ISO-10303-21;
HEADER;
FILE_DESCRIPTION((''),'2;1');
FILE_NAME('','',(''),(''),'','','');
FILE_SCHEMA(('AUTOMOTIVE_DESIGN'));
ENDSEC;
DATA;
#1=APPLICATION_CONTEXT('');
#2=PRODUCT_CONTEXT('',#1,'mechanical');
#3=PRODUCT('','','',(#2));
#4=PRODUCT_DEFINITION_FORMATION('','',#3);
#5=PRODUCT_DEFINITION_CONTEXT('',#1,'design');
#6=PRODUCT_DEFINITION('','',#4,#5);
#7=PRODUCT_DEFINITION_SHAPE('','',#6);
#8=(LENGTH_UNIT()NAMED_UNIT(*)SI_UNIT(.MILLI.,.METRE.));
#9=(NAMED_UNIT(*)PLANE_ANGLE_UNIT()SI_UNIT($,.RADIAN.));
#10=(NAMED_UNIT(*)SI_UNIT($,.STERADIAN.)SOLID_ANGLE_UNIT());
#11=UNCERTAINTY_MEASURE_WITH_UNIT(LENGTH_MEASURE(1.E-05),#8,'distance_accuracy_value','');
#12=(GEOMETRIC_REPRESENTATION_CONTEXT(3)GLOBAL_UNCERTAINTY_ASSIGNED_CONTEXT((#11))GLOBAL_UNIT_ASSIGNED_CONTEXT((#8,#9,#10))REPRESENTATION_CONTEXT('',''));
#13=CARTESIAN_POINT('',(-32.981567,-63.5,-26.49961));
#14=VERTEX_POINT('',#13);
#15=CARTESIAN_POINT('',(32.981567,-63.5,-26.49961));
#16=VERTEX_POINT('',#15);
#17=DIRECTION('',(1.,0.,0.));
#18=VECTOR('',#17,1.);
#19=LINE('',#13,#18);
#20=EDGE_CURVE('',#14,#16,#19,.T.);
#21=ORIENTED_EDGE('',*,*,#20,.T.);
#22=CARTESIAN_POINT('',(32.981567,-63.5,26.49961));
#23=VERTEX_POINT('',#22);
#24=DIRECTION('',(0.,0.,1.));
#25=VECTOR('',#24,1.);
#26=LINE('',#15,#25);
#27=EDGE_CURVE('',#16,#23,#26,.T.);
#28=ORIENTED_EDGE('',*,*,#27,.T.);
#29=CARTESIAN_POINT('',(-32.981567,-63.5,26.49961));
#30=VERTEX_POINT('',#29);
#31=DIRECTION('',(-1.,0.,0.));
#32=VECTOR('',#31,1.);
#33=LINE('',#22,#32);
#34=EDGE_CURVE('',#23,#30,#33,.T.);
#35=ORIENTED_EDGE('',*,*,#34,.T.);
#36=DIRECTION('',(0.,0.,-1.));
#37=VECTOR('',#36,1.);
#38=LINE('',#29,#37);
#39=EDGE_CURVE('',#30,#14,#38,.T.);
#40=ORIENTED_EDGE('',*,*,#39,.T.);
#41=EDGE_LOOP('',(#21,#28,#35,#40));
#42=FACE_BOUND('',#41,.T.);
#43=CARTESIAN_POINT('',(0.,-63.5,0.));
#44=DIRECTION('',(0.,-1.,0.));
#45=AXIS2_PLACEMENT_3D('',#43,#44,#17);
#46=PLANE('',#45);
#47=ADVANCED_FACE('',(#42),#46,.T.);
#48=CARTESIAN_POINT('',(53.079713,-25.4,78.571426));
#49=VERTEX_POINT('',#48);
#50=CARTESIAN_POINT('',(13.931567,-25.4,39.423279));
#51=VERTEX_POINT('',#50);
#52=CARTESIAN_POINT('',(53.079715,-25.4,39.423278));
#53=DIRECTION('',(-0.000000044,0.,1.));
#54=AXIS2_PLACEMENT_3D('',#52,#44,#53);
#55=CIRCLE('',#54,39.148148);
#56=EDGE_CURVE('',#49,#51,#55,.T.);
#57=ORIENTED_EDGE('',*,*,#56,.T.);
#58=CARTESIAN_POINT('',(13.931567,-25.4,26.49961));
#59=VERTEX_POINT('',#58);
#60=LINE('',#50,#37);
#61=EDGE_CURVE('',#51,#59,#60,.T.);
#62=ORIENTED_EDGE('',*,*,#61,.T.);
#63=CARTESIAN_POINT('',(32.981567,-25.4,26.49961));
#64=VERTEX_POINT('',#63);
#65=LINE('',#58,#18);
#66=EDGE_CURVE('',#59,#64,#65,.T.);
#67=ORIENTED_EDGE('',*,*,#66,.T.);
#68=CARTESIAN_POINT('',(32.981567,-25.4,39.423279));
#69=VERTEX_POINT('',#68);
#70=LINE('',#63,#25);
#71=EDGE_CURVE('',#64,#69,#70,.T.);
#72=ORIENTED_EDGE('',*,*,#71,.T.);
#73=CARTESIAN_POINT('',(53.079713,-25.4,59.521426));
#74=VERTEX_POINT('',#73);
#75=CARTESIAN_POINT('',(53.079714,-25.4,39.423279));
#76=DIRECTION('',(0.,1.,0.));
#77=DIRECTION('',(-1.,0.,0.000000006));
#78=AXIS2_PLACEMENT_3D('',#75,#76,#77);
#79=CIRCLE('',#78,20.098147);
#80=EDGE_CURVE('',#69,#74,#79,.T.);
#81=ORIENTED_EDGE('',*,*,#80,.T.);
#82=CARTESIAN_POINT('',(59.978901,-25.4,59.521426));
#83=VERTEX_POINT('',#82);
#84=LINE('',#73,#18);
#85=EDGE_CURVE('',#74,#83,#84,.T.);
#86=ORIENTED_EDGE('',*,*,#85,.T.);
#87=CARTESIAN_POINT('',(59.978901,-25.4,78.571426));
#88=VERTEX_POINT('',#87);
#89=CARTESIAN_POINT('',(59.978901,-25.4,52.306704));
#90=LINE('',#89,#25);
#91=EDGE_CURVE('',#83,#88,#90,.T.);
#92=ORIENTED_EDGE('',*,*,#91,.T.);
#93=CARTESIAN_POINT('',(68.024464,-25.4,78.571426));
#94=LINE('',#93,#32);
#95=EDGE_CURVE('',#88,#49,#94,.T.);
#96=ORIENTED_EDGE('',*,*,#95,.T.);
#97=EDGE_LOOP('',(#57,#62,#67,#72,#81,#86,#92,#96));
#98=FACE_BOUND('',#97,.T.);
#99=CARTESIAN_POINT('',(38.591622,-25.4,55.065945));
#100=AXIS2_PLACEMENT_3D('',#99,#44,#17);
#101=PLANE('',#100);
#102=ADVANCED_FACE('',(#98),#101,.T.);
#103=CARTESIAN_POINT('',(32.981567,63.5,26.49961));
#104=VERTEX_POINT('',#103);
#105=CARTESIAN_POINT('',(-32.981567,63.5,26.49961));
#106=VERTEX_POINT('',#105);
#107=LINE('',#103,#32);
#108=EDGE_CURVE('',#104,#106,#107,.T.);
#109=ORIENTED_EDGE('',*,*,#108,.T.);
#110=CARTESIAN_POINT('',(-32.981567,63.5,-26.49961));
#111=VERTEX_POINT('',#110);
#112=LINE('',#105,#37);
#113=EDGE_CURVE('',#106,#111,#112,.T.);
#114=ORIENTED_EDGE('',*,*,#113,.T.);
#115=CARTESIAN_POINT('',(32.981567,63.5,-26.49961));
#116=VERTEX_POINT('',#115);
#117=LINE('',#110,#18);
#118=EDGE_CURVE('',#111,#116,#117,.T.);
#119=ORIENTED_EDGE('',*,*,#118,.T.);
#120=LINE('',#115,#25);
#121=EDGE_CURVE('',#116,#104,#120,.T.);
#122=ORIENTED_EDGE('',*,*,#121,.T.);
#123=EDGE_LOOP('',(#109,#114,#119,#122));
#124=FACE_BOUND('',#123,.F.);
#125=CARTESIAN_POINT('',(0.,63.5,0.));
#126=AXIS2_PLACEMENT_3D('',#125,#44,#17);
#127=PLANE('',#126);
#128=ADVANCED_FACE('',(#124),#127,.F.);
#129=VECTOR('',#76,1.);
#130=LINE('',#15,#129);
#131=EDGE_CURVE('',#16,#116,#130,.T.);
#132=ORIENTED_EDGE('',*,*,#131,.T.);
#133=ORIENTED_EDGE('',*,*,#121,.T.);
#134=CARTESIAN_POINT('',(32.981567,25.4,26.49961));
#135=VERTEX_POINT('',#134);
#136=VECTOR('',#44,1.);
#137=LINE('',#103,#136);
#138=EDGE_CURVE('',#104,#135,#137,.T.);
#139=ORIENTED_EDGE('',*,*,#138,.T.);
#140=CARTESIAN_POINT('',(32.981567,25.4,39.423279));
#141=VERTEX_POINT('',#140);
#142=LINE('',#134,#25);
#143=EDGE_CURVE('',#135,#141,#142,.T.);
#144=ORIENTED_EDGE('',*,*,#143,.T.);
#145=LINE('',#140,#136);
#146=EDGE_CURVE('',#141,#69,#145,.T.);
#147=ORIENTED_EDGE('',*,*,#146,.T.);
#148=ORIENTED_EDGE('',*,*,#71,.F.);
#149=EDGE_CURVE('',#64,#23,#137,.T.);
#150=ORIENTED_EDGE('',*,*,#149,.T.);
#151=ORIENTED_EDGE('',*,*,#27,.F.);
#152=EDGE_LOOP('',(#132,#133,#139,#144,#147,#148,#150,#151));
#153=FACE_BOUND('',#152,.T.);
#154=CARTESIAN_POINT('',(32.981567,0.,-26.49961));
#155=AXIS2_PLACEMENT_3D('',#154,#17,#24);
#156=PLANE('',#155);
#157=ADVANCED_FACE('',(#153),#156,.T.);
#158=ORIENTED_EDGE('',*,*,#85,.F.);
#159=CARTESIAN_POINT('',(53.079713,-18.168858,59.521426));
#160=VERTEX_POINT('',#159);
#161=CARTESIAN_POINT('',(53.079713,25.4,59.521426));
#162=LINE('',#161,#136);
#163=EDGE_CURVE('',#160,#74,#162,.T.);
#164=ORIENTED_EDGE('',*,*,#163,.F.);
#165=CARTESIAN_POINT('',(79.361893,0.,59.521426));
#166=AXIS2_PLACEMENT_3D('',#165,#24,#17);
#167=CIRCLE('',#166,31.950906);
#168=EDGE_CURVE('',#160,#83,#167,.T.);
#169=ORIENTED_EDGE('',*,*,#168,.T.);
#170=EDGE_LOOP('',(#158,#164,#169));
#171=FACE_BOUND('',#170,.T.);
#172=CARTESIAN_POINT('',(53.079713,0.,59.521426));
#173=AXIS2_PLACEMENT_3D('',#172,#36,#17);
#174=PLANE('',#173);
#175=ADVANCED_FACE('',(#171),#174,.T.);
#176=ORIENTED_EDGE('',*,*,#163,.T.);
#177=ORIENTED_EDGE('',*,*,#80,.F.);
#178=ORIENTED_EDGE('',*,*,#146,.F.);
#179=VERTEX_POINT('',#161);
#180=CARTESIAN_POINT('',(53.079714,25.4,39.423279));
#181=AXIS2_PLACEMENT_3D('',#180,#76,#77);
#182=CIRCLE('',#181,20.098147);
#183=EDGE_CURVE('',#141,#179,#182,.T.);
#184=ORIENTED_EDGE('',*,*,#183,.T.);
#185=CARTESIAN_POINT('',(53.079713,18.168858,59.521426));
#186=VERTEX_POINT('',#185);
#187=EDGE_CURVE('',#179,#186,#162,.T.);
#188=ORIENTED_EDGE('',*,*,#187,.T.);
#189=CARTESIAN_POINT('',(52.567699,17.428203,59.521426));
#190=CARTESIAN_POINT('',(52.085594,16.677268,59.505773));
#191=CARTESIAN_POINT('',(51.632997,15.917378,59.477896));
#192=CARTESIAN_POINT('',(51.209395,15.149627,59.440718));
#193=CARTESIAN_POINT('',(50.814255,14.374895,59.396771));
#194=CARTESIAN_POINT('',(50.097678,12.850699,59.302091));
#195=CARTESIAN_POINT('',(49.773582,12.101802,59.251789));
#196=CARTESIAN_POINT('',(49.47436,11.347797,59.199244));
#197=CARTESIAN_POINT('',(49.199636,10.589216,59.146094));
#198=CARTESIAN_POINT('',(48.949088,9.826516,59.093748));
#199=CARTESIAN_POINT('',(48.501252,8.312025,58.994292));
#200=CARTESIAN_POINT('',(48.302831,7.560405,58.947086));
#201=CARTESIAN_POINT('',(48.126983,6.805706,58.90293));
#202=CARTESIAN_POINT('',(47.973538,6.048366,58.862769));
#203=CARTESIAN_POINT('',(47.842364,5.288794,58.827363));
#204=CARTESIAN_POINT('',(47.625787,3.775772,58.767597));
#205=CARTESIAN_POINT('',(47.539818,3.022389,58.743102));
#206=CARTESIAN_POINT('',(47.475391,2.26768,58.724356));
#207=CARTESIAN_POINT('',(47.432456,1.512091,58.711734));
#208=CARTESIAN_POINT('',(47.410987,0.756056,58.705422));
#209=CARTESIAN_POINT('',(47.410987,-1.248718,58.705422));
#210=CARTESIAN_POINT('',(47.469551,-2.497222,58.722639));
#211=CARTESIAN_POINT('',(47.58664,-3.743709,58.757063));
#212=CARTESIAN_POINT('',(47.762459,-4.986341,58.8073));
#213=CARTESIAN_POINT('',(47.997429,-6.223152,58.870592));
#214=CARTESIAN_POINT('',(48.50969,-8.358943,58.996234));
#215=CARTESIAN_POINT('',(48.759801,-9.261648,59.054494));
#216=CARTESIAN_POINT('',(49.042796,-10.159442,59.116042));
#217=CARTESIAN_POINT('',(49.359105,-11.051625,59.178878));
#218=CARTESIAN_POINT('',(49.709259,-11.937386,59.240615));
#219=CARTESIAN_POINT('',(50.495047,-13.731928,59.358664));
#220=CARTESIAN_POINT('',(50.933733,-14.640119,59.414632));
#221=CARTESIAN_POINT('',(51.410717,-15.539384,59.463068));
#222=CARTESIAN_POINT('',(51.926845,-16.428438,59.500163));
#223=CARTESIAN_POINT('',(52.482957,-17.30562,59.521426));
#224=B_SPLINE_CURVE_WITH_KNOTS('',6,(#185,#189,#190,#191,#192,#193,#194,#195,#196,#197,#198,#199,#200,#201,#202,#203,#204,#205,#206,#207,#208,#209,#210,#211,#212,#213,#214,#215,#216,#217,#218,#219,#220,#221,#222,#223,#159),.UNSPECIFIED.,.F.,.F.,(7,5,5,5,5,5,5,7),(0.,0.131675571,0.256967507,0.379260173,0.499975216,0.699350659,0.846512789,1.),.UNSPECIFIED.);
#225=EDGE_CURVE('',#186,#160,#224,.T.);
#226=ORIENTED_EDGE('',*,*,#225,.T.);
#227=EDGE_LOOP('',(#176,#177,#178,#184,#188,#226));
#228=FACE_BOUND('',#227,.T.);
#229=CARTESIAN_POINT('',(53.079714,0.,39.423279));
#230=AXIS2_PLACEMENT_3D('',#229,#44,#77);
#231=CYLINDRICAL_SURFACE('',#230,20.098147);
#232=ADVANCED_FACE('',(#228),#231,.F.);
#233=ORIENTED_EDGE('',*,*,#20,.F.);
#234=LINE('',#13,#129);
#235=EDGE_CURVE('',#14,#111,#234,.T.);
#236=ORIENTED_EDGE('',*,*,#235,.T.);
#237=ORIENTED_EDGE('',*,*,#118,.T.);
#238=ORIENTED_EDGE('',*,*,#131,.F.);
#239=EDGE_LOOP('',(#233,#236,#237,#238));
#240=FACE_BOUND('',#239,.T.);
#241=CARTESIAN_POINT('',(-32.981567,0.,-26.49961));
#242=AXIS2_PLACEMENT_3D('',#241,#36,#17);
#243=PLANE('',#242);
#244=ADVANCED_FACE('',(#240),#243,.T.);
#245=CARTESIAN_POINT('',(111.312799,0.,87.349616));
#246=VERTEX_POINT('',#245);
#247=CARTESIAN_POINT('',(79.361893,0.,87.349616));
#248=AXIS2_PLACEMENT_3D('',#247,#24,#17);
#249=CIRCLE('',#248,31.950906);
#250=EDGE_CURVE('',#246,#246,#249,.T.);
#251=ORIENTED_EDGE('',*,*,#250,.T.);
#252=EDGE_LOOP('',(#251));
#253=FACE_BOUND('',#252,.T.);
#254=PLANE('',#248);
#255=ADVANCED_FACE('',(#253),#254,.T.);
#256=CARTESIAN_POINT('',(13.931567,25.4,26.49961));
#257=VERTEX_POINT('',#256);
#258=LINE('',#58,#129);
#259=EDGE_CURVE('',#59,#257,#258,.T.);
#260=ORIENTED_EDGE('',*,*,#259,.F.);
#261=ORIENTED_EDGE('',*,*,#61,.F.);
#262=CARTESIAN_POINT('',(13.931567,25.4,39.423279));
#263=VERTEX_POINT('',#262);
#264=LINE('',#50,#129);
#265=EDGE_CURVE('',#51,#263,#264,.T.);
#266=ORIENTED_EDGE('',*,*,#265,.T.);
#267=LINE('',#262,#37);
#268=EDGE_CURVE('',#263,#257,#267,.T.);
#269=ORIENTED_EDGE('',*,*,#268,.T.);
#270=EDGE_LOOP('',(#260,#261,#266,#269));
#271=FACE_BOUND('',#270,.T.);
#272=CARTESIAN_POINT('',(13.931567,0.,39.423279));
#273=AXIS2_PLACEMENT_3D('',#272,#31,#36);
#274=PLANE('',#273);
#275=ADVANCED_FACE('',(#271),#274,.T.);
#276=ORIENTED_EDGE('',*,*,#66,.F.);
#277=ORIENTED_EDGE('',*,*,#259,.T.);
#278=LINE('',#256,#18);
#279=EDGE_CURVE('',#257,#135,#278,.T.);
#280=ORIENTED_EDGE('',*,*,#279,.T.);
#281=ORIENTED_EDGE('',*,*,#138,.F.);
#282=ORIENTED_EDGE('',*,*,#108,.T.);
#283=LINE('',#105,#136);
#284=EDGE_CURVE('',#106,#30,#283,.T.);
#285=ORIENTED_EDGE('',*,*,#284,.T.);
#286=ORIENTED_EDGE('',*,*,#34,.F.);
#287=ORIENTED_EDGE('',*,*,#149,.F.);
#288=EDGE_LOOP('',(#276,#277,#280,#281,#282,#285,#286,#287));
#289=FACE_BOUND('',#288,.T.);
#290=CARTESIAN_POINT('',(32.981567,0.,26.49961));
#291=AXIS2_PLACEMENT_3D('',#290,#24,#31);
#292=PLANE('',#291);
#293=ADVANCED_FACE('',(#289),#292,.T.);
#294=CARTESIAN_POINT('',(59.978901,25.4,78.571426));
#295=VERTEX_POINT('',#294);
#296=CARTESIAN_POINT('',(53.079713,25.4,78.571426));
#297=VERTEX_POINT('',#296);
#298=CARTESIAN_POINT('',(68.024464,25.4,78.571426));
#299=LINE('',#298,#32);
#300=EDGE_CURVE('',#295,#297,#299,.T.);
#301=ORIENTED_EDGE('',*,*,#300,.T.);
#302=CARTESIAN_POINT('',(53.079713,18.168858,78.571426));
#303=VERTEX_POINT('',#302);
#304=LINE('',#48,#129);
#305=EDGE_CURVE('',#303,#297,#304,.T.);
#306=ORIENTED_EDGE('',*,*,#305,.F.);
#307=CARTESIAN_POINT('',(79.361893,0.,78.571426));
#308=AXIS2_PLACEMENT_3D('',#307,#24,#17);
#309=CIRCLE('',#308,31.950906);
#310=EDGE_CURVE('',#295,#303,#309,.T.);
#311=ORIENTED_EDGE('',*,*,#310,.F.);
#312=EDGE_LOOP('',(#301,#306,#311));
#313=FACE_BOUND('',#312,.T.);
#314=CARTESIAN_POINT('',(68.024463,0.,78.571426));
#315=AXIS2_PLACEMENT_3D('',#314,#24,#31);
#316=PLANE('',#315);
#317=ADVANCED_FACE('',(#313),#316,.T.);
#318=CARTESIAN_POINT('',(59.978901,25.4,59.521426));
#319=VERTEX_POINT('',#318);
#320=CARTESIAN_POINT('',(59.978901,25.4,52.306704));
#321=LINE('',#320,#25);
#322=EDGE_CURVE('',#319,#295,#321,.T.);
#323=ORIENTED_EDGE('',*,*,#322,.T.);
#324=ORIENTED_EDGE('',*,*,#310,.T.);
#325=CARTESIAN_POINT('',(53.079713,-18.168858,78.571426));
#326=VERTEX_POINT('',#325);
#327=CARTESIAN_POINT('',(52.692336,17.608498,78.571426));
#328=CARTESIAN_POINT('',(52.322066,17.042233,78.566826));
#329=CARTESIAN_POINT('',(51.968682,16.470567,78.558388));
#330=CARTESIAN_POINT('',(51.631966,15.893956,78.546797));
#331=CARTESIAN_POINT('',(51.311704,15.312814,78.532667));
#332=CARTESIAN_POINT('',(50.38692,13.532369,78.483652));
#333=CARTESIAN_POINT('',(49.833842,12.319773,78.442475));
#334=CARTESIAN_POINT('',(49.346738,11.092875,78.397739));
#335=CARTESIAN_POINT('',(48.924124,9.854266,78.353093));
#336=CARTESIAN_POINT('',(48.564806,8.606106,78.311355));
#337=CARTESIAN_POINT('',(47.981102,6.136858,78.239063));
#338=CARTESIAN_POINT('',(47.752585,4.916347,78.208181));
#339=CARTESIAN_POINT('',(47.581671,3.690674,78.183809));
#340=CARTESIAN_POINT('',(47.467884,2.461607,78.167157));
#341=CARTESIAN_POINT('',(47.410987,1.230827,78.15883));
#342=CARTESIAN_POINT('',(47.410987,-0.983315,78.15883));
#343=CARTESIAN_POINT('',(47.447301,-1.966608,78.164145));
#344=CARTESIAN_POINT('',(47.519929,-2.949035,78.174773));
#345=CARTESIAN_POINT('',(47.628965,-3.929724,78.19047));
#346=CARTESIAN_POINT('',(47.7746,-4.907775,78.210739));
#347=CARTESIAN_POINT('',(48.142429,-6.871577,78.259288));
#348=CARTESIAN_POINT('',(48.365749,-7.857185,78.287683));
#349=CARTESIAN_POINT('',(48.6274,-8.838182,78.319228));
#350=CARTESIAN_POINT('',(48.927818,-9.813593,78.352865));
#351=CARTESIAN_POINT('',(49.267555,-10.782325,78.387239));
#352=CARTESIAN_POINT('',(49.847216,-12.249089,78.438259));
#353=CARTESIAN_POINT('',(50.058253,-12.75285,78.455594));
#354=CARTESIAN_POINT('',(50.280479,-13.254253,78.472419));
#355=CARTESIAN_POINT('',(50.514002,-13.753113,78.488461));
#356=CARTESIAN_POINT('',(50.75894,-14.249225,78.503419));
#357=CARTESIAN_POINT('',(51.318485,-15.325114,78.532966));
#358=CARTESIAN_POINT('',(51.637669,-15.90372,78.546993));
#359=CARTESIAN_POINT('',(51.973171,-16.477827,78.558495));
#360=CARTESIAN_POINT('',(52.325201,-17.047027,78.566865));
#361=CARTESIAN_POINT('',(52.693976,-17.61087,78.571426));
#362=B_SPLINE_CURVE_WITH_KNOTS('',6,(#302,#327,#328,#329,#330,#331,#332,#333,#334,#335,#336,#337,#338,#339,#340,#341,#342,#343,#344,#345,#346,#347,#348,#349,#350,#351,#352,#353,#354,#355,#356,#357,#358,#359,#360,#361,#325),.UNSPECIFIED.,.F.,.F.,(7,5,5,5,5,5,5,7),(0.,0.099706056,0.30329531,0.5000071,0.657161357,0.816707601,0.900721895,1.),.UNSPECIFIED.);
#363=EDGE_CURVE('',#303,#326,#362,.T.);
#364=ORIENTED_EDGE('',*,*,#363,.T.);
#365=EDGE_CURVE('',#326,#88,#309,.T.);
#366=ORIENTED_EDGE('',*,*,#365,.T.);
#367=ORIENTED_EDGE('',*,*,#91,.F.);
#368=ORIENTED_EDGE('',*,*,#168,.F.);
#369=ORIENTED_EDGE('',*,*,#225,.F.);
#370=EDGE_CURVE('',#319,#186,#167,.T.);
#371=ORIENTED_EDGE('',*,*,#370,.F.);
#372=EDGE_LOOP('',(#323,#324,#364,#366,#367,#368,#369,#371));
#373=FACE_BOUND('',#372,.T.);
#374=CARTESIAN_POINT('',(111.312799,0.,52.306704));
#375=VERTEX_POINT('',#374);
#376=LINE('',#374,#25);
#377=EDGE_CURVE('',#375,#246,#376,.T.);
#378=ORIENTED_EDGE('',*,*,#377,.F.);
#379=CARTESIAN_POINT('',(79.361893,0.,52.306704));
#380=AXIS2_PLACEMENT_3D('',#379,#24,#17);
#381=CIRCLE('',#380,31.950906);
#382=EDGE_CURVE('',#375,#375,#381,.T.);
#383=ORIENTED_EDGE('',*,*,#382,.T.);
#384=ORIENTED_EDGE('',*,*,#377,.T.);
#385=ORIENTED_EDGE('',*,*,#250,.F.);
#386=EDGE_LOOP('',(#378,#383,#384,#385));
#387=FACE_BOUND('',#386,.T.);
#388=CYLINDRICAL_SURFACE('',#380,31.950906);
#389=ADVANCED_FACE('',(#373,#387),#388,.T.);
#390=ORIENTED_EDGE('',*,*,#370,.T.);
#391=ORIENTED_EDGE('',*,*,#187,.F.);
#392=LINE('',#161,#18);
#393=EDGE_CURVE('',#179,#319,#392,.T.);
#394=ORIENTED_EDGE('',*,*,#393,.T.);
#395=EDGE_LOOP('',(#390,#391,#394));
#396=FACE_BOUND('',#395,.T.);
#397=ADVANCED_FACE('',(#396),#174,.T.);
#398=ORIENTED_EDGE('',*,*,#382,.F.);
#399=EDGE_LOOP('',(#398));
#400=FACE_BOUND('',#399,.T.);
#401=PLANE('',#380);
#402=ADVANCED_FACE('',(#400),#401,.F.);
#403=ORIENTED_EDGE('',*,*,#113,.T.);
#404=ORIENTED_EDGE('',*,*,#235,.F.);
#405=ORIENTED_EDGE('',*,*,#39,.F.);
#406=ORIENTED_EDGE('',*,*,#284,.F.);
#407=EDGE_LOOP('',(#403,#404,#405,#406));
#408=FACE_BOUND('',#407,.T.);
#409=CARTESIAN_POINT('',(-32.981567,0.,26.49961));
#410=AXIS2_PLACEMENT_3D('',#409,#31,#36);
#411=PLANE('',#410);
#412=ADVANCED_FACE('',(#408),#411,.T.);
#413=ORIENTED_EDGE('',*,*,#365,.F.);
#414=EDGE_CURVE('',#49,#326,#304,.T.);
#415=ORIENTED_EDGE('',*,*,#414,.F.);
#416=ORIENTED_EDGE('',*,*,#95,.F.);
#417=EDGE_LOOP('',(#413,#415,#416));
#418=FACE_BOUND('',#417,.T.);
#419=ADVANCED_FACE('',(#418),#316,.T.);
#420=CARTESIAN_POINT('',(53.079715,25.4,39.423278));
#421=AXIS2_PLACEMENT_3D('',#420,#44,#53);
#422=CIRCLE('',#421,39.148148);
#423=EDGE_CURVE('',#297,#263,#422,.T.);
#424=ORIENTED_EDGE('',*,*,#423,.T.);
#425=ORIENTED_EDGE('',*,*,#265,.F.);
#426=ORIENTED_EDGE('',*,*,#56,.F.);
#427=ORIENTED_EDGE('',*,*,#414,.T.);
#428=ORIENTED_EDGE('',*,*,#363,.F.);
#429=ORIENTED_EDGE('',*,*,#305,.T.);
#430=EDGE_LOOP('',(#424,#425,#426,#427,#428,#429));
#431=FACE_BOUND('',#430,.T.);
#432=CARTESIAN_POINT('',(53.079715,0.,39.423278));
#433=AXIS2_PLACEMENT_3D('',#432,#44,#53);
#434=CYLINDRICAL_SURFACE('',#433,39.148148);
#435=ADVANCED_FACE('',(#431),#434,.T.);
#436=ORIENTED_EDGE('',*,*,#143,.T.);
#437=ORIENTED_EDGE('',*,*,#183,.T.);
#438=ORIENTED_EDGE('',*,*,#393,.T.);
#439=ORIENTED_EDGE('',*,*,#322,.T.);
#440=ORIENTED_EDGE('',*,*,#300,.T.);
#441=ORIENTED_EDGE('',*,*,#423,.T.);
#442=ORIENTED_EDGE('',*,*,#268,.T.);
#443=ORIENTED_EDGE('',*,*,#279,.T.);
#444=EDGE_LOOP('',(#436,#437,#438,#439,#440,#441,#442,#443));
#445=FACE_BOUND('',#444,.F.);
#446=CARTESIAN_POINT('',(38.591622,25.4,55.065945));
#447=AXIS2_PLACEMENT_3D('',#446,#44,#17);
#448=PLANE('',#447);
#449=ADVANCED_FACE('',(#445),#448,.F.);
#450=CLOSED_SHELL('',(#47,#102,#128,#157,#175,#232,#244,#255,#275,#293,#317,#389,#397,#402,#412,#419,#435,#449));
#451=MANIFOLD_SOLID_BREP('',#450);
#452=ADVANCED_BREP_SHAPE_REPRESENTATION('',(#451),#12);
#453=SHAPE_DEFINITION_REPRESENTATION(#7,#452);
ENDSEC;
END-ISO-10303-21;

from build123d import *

# Parameters (mm, degrees)
F1_DEPTH = 63.5
F0_W     = 11.337429
F0_H     = 8.77819
F2_DEPTH = 25.4


with BuildPart() as f1:
    # F0 (on Front) → F1 (new body, symmetric)
    with BuildSketch(Plane.XZ):
        Polygon((32.981567, -26.49961), (32.981567, 26.49961), (13.931567, 26.49961), (-32.981567, 26.49961), (-32.981567, -26.49961), align=None)
    extrude(amount=F1_DEPTH, both=True)

    # F0 (on Front) → F2 (join, symmetric)
    with BuildSketch(Plane.XZ):
        with BuildLine():
            Line((13.931567, 26.49961), (32.981567, 26.49961))
            Line((32.981567, 26.49961), (32.981567, 39.423279))
            ThreePointArc((32.981567, 39.423279), (38.868178, 53.634815), (53.079713, 59.521426))
            Line((53.079713, 59.521426), (68.024464, 59.521426))
            Line((68.024464, 59.521426), (68.024464, 78.571426))
            Line((68.024464, 78.571426), (53.079713, 78.571426))
            ThreePointArc((53.079713, 78.571426), (25.397794, 67.105199), (13.931567, 39.423279))
            Line((13.931567, 39.423279), (13.931567, 26.49961))
        make_face()
        with Locations((73.693178, 82.960521)):
            Rectangle(F0_W, F0_H)
    extrude(amount=F2_DEPTH, both=True)

    # F0 (on Front) → F3 (revolve)
    with BuildSketch(Plane.XZ):
        Polygon((79.361893, 78.571426), (79.361893, 59.521426), (79.361893, 52.306704), (111.312799, 52.306704), (111.312799, 87.349616), (79.361893, 87.349616), align=None)
    revolve(axis=Axis((79.361893, 0, 73.435521), (0, 0, 1)))


solid = f1.part
